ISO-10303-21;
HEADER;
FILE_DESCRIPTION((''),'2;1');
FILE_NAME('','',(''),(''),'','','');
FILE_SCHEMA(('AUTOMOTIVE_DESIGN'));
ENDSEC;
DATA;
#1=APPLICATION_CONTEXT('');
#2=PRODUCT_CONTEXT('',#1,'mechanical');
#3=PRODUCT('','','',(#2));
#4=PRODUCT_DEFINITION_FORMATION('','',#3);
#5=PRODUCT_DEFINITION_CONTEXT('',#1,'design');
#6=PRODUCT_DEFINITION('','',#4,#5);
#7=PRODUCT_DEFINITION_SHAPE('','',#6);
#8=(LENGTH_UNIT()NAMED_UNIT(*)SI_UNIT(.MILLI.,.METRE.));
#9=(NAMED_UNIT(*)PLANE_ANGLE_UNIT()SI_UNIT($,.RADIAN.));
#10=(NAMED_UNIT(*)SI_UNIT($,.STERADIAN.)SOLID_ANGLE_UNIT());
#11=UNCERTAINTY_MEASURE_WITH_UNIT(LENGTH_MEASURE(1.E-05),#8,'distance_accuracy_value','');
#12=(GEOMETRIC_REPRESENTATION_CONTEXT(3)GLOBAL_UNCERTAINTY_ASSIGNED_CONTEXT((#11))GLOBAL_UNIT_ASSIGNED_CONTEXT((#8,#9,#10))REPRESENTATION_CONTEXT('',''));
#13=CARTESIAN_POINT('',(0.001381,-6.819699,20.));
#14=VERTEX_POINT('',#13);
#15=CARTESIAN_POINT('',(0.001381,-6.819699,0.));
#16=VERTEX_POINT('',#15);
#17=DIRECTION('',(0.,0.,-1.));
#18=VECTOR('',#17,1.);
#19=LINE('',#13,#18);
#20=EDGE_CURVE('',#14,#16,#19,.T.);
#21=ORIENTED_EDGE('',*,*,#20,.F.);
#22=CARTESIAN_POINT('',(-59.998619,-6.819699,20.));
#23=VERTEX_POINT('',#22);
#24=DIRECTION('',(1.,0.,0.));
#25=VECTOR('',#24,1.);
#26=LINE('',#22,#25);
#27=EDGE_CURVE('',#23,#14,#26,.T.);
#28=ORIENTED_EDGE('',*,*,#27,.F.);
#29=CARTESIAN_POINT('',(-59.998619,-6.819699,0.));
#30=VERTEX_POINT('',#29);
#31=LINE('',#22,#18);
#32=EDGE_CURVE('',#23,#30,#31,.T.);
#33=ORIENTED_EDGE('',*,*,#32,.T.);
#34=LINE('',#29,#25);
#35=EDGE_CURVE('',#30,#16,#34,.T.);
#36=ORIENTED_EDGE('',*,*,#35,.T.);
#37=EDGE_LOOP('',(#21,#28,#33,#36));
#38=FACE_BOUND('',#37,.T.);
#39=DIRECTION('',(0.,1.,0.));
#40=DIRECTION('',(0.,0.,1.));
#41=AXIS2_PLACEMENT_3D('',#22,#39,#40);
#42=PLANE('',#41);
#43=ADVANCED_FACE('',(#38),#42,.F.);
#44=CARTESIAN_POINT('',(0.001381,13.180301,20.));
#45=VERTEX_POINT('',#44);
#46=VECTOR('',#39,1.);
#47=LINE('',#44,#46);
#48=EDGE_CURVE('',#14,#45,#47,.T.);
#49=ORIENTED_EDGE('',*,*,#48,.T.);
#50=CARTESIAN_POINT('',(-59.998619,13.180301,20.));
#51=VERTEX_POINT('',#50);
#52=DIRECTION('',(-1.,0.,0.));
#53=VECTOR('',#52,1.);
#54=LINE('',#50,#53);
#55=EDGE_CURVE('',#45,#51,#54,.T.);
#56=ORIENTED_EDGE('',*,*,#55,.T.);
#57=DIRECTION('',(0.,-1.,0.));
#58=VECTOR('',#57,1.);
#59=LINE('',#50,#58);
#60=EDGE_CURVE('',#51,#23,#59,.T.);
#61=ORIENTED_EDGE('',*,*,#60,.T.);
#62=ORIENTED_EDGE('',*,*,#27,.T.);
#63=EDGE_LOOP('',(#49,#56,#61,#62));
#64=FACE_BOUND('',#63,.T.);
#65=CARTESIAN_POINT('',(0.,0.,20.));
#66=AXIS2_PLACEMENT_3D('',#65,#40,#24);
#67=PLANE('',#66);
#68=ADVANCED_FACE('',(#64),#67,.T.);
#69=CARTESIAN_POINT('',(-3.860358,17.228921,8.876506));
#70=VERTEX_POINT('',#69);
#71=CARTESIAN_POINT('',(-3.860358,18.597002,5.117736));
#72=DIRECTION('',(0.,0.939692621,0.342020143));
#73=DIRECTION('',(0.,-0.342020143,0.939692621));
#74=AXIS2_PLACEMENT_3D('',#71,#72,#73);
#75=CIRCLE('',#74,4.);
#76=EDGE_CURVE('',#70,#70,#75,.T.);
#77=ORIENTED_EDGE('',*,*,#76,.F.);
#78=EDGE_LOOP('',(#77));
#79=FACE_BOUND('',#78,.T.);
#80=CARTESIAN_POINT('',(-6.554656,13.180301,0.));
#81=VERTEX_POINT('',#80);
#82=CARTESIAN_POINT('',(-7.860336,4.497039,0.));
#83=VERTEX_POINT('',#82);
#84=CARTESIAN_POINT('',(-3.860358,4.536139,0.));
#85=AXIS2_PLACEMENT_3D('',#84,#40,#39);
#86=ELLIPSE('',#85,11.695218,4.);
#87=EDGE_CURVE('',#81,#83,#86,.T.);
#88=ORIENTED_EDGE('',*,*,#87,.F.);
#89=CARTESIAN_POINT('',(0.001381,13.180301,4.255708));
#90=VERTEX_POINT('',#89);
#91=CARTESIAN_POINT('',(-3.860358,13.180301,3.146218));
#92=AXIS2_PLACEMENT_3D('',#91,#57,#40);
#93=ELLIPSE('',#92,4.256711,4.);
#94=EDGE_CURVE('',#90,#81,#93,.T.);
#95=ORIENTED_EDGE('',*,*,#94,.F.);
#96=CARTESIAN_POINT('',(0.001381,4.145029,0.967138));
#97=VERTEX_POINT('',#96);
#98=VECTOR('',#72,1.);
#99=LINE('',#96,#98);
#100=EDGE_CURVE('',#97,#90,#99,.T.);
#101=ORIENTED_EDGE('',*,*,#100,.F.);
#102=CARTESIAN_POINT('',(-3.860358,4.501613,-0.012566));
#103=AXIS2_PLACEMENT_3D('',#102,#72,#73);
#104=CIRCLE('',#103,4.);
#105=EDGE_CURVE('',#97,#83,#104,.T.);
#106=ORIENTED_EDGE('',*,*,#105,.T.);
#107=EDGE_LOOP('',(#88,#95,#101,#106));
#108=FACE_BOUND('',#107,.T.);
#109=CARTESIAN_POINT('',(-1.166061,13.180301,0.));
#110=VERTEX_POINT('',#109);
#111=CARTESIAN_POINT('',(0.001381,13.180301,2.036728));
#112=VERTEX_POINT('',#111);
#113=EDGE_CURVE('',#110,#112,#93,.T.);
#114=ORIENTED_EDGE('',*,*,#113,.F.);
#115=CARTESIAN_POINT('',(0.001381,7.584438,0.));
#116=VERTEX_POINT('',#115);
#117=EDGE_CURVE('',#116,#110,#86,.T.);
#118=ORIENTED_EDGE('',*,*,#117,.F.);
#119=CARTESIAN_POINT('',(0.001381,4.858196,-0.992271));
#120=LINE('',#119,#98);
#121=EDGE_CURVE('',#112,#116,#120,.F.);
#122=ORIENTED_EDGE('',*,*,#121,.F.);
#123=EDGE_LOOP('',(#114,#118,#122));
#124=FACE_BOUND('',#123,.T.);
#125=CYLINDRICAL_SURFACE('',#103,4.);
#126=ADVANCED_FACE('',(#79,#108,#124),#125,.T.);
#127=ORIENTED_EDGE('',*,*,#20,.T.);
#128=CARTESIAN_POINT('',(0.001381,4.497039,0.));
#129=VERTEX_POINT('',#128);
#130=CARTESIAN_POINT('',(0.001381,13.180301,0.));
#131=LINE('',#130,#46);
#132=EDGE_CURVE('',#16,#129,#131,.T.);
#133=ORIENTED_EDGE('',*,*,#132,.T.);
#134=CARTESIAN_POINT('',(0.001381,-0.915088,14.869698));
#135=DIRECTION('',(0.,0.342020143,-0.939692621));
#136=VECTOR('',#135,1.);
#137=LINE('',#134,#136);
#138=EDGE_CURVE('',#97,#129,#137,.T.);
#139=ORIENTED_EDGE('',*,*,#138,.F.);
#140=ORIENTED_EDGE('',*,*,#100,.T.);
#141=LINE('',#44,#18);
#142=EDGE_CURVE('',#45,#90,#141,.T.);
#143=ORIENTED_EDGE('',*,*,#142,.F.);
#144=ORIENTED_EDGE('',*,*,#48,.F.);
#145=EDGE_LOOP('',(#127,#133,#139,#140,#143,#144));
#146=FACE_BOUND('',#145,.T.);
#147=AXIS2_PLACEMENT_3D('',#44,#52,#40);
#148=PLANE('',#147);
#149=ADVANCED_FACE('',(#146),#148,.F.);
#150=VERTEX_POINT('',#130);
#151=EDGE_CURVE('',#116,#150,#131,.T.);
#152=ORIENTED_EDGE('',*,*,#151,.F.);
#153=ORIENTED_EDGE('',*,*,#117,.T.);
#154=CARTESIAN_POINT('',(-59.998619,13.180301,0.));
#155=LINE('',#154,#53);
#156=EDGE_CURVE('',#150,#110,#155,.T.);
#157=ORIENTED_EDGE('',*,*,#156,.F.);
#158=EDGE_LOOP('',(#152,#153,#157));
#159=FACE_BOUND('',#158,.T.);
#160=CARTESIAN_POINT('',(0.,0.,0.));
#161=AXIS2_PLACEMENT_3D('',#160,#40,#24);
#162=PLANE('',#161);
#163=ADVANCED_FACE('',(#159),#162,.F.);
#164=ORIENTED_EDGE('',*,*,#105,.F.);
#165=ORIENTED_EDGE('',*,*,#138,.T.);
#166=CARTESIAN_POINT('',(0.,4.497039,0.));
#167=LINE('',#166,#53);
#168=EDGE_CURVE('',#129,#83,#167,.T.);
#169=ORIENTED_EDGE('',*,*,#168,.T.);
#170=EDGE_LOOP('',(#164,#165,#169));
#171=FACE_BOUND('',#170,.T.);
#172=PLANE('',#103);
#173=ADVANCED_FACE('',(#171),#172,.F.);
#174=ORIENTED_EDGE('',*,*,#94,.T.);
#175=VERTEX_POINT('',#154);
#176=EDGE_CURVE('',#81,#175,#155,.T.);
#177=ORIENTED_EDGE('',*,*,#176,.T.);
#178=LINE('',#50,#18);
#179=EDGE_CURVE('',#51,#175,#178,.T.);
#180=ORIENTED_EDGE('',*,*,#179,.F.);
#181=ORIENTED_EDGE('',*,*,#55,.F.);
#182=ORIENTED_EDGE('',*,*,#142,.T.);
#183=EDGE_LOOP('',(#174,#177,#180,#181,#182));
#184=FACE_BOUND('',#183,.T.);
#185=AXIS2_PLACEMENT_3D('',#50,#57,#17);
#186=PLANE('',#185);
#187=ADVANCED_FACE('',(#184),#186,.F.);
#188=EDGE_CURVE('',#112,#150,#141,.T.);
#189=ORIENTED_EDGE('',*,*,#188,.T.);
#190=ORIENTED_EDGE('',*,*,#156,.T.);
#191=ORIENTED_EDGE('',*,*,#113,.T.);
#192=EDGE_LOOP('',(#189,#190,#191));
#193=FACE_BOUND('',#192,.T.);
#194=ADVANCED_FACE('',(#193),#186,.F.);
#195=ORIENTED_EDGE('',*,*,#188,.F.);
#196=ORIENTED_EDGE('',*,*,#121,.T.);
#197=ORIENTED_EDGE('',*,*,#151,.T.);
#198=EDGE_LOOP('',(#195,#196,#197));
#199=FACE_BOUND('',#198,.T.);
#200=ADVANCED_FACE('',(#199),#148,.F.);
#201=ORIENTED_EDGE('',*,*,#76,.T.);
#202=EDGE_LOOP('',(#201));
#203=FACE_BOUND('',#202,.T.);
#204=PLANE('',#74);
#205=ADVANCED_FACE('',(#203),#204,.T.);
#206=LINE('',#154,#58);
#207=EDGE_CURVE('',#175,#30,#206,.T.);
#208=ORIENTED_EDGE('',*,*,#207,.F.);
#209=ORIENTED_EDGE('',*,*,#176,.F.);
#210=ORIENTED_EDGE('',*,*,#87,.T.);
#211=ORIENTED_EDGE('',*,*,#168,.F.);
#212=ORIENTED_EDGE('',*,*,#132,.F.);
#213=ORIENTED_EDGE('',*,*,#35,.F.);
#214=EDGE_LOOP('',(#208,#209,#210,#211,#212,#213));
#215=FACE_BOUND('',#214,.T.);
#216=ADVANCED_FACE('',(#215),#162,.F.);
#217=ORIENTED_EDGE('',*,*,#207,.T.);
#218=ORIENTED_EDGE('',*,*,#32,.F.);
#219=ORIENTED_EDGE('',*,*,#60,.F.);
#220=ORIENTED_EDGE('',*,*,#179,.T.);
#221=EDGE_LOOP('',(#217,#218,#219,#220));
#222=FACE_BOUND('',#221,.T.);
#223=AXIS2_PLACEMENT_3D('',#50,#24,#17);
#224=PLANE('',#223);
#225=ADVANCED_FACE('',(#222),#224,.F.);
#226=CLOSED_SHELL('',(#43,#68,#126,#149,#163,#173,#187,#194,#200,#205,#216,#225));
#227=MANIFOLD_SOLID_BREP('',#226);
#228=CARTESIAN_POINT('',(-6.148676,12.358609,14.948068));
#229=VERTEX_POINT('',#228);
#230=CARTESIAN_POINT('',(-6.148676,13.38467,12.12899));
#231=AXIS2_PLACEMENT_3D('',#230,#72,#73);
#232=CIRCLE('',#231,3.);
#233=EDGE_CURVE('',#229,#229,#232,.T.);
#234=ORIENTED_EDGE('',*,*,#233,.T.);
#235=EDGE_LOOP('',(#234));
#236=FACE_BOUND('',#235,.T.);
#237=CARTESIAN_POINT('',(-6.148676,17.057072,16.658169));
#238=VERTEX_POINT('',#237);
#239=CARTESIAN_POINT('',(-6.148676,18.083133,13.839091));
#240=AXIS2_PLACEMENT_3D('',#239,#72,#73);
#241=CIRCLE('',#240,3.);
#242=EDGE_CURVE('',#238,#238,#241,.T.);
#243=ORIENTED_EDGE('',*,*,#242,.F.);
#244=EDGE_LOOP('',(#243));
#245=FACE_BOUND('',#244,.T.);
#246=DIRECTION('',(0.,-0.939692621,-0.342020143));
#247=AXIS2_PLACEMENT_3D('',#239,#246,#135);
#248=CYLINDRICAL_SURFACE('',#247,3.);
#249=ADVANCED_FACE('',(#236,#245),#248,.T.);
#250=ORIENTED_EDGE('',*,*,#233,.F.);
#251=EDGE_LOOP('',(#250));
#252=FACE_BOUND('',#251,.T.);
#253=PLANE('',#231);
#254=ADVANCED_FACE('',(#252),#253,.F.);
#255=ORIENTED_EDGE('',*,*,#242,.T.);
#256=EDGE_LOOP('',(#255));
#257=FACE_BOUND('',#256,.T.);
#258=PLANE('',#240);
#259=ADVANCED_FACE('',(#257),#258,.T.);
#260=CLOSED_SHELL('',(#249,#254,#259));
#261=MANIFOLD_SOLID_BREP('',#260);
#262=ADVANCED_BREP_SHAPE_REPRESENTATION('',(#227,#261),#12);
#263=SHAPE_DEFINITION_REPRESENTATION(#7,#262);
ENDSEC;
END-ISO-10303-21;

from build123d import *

# Parameters (mm, degrees)
SKETCH1_W           = 60
SKETCH1_H           = 20
BOSS_EXTRUDE1_DEPTH = 20
SKETCH5_R           = 4
BOSS_EXTRUDE5_DEPTH = 15
SKETCH4_R           = 3
BOSS_EXTRUDE4_DEPTH = 2.5


with BuildPart() as part:
    # Sketch1 → Boss-Extrude1 (new body)
    with BuildSketch(Plane.XY):
        with Locations((-29.998619437, 3.180300826)):
            Rectangle(SKETCH1_W, SKETCH1_H)
    extrude(amount=BOSS_EXTRUDE1_DEPTH)

    # Sketch5 → Boss-Extrude5 (add)
    with BuildSketch(Plane(origin=(0, 18.066374613, 6.5756226), x_dir=(-1, 0, 0), z_dir=(0, 0.9396926207859081, 0.34202014332566943))):
        with Locations(Location((3.860358384, -1.55145078, 0), (0, 0, 90))):
            Circle(SKETCH5_R)
    extrude(amount=-BOSS_EXTRUDE5_DEPTH)


with BuildPart() as body_2:
    # Sketch4 → Boss-Extrude4 (new, symmetric)
    with BuildSketch(Plane(origin=(0, 18.066374613, 6.5756226), x_dir=(-1, 0, 0), z_dir=(0, 0.9396926207859081, 0.34202014332566943))):
        with Locations(Location((6.148675579, 6.819695783, 0), (0, 0, 90))):
            Circle(SKETCH4_R)
    extrude(amount=BOSS_EXTRUDE4_DEPTH, both=True)


solid = Compound([part.part, body_2.part])
